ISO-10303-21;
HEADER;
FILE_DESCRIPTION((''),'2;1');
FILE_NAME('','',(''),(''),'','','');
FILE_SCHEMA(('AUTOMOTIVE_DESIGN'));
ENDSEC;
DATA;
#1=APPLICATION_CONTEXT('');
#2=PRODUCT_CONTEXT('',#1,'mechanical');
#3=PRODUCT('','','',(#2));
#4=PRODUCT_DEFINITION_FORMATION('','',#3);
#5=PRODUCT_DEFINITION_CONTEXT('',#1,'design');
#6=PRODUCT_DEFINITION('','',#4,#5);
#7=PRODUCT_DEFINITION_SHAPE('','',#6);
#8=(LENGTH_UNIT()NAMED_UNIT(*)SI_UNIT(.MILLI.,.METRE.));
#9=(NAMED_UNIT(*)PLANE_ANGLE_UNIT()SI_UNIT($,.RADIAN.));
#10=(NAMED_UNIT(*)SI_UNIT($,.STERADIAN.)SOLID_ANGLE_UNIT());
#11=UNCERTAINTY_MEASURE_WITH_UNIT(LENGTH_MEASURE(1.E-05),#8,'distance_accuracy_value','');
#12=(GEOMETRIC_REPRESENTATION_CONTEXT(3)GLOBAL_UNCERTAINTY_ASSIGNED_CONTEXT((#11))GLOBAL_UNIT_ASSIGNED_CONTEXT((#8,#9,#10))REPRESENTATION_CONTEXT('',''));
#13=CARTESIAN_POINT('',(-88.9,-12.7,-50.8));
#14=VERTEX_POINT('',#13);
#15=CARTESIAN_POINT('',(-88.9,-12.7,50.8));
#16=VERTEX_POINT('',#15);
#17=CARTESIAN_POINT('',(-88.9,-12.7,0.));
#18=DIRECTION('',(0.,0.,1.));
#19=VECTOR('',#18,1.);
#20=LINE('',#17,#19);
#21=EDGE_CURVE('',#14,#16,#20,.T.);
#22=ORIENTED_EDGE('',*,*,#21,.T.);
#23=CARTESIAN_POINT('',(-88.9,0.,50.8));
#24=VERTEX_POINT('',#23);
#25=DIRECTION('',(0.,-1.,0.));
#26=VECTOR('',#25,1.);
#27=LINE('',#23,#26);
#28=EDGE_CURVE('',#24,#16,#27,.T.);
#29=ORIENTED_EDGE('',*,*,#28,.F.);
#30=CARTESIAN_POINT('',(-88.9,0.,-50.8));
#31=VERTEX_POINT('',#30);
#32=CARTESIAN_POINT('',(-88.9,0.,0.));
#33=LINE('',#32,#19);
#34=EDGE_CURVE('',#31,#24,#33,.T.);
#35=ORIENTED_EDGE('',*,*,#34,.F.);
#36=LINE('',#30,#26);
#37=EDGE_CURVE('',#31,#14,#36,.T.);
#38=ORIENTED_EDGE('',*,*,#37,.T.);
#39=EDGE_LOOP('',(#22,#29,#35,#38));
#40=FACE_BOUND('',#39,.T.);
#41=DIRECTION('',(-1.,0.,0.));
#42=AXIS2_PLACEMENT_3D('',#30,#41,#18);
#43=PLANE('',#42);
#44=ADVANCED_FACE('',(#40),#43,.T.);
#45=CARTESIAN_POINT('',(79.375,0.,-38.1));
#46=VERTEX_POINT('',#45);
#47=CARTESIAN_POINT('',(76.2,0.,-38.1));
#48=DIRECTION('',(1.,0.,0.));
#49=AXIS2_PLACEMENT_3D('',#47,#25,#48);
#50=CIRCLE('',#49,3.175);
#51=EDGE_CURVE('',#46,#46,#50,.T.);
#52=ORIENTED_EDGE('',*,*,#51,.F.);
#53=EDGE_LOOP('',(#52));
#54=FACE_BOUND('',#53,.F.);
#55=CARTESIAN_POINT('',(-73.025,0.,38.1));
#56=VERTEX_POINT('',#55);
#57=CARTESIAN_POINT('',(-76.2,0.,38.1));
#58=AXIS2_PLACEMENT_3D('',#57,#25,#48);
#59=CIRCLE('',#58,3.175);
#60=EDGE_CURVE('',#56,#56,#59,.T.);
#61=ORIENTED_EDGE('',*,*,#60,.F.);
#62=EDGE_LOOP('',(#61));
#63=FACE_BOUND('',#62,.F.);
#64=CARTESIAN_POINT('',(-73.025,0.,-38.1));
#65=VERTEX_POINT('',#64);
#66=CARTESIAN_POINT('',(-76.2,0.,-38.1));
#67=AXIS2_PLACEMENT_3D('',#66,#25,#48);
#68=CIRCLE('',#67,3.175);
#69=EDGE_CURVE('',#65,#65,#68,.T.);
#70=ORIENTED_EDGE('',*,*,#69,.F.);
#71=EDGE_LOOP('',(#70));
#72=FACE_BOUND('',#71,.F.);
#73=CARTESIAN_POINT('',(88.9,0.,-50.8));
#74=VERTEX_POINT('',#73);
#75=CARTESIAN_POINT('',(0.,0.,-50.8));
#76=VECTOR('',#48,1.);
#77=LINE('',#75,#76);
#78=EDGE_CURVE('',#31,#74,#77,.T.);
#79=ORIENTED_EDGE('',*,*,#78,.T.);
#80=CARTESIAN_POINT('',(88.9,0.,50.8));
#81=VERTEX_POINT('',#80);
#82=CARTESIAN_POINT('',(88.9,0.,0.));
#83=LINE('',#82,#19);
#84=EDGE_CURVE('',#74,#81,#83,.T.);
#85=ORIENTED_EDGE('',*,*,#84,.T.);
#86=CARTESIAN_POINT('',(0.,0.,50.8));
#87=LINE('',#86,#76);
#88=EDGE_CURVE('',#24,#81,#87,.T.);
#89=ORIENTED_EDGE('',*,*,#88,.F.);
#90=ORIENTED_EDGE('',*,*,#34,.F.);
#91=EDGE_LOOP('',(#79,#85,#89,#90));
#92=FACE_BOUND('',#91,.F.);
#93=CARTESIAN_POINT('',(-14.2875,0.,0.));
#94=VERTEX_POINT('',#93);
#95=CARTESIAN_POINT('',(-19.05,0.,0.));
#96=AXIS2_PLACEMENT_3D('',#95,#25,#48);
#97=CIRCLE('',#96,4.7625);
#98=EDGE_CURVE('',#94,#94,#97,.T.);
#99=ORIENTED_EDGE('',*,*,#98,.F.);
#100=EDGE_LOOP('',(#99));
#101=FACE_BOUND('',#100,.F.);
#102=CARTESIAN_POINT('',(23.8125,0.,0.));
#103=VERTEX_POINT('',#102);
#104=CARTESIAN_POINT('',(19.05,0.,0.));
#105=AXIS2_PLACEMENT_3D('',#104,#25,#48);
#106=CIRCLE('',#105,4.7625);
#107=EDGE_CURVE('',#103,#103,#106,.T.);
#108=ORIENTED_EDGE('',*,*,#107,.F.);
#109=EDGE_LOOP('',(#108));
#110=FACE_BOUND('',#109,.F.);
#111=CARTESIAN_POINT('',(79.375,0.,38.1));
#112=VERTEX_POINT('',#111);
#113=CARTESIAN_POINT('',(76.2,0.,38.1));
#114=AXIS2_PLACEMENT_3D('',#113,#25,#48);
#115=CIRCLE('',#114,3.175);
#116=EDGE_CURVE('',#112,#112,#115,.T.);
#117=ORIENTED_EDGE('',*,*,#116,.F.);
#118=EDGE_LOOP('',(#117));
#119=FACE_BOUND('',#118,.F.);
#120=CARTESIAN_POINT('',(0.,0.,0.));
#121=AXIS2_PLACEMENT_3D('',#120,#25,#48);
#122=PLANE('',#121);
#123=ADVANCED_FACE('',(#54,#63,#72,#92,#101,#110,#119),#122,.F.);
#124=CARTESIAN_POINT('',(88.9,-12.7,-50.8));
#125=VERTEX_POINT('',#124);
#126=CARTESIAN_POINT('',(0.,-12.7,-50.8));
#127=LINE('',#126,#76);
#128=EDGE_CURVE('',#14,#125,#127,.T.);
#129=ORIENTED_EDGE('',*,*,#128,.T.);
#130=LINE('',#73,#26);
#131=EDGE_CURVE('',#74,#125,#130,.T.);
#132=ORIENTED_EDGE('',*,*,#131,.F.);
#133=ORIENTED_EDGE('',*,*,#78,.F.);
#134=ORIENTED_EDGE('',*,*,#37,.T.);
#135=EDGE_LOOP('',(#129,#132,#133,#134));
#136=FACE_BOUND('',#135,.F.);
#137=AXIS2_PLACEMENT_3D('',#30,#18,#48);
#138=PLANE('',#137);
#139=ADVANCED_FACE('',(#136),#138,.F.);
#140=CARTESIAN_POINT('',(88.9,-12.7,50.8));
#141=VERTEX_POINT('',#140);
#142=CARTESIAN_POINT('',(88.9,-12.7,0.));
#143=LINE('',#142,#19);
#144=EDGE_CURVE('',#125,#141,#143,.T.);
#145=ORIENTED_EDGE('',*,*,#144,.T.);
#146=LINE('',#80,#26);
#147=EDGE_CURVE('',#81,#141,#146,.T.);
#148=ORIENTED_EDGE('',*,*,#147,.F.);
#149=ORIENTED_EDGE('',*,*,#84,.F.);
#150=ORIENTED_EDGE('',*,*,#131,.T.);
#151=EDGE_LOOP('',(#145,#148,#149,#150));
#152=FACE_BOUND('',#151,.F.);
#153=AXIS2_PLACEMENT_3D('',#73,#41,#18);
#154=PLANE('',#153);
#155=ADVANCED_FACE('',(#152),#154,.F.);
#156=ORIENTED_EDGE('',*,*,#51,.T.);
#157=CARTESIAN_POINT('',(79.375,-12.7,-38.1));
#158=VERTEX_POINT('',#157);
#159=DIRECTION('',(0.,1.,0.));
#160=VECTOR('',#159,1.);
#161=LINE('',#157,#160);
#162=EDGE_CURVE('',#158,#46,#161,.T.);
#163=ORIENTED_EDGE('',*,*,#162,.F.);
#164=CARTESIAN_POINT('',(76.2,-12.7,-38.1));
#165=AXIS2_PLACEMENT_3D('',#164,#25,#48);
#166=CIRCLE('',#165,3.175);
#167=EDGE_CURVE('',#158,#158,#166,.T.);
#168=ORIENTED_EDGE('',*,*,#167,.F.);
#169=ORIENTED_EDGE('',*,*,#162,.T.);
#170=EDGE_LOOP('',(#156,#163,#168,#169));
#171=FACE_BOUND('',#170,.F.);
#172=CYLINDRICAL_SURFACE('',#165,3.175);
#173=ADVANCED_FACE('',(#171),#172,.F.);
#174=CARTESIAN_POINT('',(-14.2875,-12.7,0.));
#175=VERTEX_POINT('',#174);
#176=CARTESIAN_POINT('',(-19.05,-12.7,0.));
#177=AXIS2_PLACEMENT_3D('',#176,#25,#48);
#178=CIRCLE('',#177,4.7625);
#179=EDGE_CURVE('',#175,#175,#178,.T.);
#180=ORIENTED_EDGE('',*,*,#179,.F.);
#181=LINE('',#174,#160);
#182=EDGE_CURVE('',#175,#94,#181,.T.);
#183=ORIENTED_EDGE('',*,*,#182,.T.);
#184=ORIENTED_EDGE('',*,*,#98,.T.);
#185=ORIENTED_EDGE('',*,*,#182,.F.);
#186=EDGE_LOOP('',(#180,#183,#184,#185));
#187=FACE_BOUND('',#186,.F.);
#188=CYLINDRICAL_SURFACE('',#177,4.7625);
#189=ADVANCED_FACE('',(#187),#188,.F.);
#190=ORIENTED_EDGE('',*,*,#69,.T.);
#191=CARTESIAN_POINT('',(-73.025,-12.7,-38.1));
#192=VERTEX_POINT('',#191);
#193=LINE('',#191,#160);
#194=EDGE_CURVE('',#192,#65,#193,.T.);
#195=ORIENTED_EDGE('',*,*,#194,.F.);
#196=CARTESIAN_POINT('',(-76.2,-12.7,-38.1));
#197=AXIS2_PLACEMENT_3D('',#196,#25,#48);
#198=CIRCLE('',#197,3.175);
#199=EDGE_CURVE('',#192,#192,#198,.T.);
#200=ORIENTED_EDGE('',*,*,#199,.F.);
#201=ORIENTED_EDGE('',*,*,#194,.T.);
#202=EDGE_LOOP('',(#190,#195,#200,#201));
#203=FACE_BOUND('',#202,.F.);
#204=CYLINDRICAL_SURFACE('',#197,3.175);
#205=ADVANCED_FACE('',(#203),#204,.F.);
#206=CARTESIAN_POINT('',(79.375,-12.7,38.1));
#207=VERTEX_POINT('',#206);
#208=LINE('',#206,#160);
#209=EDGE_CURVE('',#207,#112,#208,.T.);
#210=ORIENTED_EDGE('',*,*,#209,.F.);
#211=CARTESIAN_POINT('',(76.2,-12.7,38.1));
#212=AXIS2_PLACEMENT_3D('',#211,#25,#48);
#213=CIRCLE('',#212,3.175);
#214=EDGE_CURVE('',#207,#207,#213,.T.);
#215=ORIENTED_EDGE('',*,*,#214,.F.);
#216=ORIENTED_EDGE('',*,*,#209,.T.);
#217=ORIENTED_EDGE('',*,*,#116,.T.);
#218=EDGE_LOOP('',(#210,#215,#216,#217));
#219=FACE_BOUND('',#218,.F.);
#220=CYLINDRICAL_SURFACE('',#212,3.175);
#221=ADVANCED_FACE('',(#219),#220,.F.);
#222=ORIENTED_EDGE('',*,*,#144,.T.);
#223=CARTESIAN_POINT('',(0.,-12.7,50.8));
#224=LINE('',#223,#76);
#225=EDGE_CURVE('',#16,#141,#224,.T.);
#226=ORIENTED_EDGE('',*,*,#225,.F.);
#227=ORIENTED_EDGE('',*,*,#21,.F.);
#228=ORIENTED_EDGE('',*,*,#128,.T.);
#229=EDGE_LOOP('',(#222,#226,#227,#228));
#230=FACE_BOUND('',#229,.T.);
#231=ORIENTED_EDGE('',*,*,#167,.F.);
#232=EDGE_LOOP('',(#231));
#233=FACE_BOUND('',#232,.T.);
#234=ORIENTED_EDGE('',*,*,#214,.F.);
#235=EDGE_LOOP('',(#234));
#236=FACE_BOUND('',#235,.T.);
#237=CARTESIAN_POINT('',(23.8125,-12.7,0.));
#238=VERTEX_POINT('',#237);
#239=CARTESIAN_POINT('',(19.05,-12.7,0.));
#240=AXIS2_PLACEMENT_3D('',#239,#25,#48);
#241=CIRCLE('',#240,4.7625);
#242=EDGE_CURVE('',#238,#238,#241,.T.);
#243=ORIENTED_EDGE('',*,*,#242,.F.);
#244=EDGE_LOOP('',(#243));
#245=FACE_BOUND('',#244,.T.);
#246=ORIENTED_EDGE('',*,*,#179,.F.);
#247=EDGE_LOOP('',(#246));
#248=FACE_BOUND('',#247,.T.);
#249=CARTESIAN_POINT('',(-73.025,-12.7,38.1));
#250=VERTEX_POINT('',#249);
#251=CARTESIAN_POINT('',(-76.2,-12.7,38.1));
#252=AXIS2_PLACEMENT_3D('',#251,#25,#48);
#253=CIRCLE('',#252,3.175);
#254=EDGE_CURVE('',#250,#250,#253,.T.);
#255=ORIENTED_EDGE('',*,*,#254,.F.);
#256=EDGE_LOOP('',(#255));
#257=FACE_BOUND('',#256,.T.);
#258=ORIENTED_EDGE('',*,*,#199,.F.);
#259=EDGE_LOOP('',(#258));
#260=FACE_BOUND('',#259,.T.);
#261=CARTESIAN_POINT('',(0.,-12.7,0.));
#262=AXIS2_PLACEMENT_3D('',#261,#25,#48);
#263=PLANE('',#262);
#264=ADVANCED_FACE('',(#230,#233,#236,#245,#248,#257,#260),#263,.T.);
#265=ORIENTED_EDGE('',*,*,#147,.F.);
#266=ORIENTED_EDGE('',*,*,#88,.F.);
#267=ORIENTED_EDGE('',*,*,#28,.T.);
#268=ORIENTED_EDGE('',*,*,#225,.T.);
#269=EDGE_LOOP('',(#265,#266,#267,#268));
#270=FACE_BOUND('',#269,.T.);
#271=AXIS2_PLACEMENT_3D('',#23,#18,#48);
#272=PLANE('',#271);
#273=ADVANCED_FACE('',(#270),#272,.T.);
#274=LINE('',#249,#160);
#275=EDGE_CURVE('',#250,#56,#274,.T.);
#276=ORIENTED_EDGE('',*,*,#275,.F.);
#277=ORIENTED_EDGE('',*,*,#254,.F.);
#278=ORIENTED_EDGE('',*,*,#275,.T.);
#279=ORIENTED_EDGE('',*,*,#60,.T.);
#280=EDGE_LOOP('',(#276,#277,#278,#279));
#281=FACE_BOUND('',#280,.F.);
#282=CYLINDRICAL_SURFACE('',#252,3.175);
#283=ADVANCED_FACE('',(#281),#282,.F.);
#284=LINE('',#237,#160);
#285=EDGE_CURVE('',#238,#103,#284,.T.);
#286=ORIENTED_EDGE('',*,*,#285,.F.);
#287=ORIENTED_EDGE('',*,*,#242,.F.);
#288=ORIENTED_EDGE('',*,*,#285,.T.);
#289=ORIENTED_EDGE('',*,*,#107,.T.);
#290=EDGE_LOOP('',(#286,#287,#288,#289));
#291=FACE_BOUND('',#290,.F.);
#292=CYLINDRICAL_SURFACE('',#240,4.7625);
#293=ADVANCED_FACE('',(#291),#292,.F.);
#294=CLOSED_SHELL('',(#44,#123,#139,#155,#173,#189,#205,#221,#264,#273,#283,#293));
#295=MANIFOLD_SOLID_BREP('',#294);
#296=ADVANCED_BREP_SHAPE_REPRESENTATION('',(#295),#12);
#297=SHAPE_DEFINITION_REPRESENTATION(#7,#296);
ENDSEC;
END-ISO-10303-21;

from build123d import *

# Parameters (mm, degrees)
F0_W     = 177.8
F0_H     = 101.6
F1_DEPTH = 12.7
F2_R     = 3.175
F2_R_2   = 4.7625
F3_DEPTH = 12.701


with BuildPart() as f1:
    # F0 (on Front) → F1 (new body)
    with BuildSketch(Plane.XZ):
        Rectangle(F0_W, F0_H)
    extrude(amount=F1_DEPTH)

    # F2 (on face) → F3 (cut, through all)
    with BuildSketch(Plane.XZ.offset(12.7)):
        with Locations((-76.2, 38.1)):
            Circle(F2_R)
        with Locations((76.2, 38.1)):
            Circle(F2_R)
        with Locations((-76.2, -38.1)):
            Circle(F2_R)
        with Locations((76.2, -38.1)):
            Circle(F2_R)
        with Locations((-19.05, 0)):
            Circle(F2_R_2)
        with Locations((19.05, 0)):
            Circle(F2_R_2)
    extrude(amount=-F3_DEPTH, mode=Mode.SUBTRACT)


solid = f1.part
